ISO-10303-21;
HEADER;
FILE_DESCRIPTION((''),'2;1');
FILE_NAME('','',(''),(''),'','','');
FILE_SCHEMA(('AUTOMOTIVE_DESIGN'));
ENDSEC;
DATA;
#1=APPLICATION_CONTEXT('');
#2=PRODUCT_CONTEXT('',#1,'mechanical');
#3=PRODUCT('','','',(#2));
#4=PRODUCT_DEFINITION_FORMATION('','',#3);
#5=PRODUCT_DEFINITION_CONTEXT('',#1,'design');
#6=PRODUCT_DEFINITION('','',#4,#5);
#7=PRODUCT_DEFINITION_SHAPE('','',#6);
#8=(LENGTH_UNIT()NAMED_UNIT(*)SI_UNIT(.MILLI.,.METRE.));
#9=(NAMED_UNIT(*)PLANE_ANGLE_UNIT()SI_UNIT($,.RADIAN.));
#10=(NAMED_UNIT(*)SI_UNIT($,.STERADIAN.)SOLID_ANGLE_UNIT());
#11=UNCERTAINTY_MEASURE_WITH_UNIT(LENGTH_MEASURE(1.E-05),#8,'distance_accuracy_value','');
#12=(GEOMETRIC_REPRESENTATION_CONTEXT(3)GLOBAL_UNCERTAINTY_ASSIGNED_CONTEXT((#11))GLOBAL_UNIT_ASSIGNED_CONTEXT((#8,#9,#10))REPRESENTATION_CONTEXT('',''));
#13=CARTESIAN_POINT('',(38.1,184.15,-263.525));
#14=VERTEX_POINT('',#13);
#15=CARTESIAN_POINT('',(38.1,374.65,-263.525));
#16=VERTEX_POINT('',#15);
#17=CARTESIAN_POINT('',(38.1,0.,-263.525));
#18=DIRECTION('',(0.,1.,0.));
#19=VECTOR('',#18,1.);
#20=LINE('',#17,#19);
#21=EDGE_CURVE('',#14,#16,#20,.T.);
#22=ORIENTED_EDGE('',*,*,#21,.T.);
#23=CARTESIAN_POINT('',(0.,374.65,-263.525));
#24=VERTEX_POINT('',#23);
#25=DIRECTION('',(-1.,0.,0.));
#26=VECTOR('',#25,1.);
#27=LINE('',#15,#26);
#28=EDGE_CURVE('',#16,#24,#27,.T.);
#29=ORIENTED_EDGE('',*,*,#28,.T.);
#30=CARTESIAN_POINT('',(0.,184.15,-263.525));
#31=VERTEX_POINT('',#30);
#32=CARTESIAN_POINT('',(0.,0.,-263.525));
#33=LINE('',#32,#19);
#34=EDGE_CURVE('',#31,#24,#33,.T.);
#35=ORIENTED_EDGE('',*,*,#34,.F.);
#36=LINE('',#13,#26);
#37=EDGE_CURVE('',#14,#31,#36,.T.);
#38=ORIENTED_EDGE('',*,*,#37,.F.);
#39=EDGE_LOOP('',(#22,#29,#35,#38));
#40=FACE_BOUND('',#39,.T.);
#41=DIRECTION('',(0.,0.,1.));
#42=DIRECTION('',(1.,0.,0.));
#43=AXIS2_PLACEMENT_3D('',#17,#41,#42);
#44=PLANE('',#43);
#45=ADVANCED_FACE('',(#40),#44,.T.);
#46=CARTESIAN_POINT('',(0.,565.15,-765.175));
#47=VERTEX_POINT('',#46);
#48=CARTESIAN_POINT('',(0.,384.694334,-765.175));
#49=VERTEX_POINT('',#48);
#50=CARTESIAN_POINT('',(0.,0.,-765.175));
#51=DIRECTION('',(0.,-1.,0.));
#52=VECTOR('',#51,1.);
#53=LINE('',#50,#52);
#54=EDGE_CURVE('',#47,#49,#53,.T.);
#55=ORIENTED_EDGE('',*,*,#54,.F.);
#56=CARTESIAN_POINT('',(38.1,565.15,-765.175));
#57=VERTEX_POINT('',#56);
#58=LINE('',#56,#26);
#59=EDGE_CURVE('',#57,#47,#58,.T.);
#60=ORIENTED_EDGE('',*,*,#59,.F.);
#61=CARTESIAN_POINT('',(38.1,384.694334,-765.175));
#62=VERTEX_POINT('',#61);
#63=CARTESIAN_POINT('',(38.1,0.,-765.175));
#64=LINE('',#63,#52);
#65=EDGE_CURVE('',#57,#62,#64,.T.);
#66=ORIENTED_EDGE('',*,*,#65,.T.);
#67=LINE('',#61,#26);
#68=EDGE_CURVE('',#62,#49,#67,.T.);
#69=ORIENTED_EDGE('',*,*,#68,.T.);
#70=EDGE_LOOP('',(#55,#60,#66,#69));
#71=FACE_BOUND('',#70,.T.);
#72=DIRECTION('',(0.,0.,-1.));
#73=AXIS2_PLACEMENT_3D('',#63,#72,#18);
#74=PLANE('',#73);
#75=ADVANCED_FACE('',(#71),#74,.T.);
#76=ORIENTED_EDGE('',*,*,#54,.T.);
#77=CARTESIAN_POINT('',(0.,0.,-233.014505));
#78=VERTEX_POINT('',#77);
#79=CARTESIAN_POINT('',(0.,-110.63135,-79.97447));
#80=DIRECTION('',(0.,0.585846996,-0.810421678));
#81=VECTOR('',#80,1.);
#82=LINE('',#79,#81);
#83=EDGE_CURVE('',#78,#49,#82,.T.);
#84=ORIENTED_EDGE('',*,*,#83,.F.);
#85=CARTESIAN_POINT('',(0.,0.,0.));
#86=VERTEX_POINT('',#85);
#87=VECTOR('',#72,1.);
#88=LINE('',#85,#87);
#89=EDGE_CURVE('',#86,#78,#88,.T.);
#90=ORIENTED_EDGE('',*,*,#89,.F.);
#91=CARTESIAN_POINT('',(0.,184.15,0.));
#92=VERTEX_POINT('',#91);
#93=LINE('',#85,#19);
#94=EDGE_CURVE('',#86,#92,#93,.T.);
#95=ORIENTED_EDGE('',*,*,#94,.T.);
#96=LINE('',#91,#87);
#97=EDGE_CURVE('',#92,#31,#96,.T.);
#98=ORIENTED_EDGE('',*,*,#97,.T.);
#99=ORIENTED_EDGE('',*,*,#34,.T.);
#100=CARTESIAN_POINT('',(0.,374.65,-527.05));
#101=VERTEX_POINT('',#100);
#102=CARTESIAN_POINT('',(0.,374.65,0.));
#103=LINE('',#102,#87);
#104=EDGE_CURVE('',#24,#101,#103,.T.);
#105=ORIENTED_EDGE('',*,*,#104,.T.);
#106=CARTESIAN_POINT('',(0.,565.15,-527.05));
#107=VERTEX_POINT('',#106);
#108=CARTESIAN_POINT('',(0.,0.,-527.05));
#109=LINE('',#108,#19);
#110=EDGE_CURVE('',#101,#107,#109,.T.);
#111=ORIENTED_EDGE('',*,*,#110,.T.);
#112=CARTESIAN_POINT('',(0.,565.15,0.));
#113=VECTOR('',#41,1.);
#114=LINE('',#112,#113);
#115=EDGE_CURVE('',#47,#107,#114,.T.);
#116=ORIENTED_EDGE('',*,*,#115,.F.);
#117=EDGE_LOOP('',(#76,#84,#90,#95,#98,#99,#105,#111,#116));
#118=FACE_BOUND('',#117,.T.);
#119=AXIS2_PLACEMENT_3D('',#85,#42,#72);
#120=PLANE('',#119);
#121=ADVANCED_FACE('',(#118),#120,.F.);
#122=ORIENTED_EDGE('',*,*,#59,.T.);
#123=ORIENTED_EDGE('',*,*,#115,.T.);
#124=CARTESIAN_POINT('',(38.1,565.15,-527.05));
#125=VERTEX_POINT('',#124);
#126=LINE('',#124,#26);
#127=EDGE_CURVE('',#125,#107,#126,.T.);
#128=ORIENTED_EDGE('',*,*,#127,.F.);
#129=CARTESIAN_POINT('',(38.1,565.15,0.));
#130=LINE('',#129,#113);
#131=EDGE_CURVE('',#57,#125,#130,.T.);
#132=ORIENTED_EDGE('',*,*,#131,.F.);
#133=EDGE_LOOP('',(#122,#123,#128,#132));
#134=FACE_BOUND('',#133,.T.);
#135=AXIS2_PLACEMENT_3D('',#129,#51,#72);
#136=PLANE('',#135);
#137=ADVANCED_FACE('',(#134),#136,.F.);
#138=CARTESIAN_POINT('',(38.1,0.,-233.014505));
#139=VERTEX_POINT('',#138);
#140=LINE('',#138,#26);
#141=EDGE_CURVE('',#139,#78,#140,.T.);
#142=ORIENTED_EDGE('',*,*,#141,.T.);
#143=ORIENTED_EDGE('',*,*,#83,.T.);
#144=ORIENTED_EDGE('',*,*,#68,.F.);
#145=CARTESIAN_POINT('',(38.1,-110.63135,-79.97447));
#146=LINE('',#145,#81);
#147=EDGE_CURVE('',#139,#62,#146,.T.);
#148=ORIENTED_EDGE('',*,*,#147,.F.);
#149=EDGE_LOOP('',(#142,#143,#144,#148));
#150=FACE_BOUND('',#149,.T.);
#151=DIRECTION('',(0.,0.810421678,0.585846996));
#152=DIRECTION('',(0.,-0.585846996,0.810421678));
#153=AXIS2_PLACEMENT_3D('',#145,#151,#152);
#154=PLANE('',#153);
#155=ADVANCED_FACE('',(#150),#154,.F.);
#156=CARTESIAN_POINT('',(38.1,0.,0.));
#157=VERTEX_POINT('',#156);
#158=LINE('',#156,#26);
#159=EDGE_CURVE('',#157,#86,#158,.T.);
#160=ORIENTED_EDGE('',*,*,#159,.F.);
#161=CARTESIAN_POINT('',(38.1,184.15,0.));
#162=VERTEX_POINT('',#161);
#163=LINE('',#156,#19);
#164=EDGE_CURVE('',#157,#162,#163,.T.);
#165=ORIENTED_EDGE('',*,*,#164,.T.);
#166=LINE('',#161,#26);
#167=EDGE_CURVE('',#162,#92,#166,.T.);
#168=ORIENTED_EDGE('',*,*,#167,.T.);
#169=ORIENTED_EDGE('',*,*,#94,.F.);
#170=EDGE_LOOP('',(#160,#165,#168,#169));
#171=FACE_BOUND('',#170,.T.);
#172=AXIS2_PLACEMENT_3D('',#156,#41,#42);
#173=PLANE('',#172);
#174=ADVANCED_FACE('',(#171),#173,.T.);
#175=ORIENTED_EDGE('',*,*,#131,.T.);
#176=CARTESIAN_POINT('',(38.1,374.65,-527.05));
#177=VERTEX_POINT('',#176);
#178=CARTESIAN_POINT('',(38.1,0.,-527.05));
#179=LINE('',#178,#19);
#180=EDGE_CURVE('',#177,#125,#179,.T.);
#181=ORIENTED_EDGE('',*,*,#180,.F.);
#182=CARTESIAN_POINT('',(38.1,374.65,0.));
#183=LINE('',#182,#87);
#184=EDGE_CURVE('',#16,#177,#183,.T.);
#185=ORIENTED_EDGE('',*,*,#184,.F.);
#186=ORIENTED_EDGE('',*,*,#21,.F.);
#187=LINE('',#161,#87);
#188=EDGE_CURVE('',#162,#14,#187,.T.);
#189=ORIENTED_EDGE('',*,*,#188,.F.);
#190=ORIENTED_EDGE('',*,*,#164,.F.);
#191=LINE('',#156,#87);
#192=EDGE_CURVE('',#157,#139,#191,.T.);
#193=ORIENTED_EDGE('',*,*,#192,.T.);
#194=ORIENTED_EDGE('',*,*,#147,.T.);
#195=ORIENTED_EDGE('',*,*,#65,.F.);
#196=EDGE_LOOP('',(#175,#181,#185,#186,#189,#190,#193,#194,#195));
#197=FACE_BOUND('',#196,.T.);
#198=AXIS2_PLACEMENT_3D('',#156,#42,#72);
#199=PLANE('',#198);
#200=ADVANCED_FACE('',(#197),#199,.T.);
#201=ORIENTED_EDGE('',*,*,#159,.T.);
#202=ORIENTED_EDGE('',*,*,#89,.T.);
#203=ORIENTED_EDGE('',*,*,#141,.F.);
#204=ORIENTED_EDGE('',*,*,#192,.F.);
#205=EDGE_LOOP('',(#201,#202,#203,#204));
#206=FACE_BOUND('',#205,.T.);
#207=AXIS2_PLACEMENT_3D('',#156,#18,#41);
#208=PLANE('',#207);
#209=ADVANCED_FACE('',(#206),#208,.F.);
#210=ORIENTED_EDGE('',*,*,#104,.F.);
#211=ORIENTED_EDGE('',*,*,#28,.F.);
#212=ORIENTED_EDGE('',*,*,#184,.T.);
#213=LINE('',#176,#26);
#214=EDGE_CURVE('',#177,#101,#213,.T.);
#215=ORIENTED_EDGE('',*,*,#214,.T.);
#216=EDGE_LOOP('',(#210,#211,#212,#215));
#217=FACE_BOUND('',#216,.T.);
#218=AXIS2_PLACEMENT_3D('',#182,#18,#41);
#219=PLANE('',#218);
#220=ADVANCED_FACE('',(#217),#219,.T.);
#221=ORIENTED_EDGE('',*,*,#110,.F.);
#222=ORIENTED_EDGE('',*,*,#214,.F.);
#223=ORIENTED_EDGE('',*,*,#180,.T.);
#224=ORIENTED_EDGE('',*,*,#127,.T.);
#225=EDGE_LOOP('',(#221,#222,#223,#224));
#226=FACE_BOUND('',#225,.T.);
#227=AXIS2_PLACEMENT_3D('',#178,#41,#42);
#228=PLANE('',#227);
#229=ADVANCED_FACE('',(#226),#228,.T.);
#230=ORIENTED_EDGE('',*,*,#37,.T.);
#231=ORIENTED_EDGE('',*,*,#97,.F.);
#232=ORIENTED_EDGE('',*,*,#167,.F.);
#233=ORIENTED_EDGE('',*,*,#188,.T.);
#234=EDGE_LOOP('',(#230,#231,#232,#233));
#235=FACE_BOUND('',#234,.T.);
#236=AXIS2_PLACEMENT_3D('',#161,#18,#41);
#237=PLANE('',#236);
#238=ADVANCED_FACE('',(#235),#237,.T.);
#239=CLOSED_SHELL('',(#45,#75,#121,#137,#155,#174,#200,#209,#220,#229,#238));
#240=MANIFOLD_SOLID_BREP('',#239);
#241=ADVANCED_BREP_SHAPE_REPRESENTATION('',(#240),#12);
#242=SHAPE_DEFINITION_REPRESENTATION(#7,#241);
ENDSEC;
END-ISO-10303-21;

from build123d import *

# Parameters (mm, degrees)
BOSS_EXTRUDE2_DEPTH = 38.1


with BuildPart() as part:
    # Sketch1 → Boss-Extrude2 (new body)
    with BuildSketch(Plane(origin=(0, 0, 0), x_dir=(0, 0, -1), z_dir=(1, 0, 0))):
        Polygon((0, 0), (0, 184.15), (263.525, 184.15), (263.525, 374.65), (527.05, 374.65), (527.05, 565.15), (765.175, 565.15), (765.175, 384.694333673), (233.014505086, 0), align=None)
    extrude(amount=BOSS_EXTRUDE2_DEPTH)


solid = part.part
